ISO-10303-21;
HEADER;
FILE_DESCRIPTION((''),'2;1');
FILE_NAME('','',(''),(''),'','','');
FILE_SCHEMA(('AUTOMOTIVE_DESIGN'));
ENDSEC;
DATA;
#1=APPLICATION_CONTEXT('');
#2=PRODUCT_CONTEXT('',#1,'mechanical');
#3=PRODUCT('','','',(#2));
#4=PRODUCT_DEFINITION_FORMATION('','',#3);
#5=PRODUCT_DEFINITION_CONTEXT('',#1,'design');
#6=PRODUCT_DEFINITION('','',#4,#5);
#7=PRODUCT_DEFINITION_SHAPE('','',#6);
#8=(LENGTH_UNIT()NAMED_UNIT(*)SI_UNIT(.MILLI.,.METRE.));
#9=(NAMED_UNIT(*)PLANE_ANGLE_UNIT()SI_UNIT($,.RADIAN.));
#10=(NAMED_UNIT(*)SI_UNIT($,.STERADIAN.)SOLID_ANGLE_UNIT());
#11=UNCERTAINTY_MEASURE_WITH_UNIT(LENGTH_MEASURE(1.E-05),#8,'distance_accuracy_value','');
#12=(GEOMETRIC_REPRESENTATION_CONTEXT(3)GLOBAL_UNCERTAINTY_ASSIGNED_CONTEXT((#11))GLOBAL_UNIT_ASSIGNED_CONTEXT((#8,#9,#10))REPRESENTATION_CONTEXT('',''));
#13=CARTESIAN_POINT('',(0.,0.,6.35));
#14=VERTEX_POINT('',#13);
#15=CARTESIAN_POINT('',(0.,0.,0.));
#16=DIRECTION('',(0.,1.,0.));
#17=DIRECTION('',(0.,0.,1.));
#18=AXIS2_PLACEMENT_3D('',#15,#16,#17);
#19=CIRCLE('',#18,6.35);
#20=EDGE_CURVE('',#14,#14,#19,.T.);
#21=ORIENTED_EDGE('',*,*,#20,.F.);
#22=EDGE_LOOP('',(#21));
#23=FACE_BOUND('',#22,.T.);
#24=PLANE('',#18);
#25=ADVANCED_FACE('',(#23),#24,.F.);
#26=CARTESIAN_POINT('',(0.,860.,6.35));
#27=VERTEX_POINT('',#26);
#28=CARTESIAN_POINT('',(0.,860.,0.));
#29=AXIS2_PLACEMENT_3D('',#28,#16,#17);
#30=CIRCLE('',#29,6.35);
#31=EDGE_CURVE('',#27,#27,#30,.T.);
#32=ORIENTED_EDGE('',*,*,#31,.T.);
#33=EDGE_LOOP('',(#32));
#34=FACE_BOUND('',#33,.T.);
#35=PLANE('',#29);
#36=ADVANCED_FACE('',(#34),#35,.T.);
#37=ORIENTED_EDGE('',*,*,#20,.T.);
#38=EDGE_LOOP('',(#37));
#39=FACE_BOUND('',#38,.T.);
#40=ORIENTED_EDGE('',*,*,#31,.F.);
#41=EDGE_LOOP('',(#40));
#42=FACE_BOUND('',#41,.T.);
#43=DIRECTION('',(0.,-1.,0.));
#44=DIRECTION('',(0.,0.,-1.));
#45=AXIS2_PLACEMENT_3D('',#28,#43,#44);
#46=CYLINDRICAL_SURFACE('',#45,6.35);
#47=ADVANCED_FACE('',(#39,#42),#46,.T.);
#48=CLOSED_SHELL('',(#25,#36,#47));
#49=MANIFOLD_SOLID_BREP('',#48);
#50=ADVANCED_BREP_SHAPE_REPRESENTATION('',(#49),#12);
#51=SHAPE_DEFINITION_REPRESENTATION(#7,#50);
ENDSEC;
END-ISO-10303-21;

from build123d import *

# Parameters (mm, degrees)
CROQUIS1_R = 6.35


with BuildPart() as part:
    # Barrer1: sweep along a path in Croquis2
    with BuildLine(Plane.XY) as barrer1_path:
        Line((0, 0), (0, 860))
    # Croquis1 → Barrer1 (sweep)
    with BuildSketch(Plane(origin=(0, 0, 0), x_dir=(1, 0, 0), z_dir=(0, 1, 0))):
        Circle(CROQUIS1_R)
    sweep(path=barrer1_path.line)


solid = part.part
